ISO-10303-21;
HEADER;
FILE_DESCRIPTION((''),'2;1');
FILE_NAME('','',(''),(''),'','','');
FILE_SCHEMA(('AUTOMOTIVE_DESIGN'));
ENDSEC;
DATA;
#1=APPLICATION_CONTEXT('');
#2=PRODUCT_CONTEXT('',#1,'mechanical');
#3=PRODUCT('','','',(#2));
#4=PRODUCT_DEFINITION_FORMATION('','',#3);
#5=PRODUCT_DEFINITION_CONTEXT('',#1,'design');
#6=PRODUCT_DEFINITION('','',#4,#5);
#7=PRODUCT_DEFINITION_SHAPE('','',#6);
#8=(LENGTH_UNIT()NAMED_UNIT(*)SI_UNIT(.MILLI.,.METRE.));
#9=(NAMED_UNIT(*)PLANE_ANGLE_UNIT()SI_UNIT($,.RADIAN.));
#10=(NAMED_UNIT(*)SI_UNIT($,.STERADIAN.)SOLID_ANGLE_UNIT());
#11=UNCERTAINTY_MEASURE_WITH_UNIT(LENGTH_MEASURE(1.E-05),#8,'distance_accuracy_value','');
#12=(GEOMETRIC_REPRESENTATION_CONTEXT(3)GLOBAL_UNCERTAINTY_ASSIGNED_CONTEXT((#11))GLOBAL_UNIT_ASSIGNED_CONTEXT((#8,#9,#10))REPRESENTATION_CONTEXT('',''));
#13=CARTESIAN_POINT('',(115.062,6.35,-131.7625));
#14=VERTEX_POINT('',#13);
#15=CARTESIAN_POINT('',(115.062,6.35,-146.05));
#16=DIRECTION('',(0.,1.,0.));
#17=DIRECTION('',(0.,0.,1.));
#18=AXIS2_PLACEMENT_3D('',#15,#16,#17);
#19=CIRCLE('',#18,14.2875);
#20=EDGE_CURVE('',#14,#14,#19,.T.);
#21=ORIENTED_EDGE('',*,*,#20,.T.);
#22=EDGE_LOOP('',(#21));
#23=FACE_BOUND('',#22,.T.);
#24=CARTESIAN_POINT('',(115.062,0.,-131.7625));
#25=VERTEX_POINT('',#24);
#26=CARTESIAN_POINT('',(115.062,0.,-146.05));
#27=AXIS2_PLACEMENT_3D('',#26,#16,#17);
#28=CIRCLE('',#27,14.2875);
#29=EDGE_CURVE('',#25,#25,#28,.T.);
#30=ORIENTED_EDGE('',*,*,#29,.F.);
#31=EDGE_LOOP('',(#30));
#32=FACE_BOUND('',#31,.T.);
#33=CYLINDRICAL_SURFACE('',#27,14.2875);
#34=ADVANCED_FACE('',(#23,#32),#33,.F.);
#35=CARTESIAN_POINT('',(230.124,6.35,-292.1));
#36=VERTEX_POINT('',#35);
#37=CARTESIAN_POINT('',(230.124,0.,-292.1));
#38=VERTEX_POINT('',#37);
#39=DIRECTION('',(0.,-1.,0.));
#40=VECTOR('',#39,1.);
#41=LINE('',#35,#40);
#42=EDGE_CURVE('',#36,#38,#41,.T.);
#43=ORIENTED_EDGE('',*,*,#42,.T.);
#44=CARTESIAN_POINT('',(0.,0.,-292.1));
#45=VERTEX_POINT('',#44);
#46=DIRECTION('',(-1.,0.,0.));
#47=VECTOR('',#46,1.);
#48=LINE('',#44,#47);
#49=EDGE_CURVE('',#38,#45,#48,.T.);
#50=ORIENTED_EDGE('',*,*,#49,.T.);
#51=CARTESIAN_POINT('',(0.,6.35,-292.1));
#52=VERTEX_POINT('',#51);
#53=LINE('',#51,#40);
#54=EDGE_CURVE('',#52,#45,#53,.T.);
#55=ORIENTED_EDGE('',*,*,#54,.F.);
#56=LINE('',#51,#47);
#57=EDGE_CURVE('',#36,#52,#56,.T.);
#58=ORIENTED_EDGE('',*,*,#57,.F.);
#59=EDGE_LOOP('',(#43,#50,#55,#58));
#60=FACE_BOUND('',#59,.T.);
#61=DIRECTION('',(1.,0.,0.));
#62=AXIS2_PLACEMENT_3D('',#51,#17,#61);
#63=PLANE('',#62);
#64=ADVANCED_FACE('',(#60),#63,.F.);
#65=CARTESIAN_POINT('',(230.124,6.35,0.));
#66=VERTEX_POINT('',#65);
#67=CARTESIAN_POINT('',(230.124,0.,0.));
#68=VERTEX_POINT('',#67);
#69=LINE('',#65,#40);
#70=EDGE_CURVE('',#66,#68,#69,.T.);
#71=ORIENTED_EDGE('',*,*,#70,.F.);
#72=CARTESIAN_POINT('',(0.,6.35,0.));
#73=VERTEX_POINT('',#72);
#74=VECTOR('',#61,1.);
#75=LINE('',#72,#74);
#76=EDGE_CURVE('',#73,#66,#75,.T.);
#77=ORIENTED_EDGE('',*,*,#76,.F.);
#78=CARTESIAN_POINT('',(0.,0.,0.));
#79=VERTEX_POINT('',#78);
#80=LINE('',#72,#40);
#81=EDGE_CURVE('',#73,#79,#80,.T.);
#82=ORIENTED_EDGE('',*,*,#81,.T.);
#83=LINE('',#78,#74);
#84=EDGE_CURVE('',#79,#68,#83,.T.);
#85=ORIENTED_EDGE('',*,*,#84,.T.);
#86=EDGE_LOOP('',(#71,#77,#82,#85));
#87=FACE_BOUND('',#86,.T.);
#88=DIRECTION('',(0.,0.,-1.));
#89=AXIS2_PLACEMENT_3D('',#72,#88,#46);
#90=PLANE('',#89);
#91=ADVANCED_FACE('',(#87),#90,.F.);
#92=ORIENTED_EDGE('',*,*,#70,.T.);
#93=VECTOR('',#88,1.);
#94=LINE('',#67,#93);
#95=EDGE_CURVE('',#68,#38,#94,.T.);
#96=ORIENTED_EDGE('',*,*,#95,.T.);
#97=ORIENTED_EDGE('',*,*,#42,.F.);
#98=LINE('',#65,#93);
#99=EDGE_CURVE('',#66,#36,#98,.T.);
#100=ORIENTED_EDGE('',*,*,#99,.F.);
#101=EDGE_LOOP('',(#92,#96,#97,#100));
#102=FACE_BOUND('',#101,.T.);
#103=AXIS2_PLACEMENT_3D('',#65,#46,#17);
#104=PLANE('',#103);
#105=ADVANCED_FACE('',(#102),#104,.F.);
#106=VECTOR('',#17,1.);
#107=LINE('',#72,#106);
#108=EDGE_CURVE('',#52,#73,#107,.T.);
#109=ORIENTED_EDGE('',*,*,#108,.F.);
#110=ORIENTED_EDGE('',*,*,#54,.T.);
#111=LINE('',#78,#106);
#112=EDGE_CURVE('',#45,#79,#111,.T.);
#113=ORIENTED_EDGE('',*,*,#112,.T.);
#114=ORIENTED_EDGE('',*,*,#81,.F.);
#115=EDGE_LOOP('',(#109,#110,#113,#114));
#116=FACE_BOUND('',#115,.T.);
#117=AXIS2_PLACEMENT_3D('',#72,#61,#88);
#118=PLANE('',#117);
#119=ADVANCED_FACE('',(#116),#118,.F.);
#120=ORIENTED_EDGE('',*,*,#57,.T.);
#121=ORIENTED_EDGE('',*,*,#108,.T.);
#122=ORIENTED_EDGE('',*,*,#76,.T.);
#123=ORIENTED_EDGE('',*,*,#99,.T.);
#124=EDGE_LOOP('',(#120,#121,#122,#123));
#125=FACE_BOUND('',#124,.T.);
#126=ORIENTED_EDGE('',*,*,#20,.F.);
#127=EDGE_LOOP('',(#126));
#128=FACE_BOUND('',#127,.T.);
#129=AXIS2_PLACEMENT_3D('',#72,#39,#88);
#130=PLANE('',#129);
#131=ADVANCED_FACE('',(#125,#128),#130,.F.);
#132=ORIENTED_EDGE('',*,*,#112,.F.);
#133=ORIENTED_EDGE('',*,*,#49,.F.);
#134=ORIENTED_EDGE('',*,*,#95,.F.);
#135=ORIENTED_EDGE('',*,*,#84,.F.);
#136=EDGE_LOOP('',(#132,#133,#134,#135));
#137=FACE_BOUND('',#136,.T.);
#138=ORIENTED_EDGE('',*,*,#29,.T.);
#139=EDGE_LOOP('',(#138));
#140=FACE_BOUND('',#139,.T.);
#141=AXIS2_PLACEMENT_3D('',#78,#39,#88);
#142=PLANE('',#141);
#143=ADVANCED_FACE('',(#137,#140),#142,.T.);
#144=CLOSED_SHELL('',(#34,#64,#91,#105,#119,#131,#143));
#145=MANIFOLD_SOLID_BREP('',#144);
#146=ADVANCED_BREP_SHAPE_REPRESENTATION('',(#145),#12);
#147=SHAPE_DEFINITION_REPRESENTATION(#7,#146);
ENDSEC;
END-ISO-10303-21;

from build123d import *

# Parameters (mm, degrees)
SKETCH1_W           = 230.124
SKETCH1_H           = 292.1
BOSS_EXTRUDE1_DEPTH = 6.35
SKETCH2_R           = 14.2875
CUT_EXTRUDE1_DEPTH  = 6.35


with BuildPart() as part:
    # Sketch1 → Boss-Extrude1 (new body)
    with BuildSketch(Plane(origin=(0, 0, 0), x_dir=(1, 0, 0), z_dir=(0, 1, 0))):
        with Locations((115.062, 146.05)):
            Rectangle(SKETCH1_W, SKETCH1_H)
    extrude(amount=BOSS_EXTRUDE1_DEPTH)

    # Sketch2 → Cut-Extrude1 (cut)
    with BuildSketch(Plane(origin=(0, 6.35, 0), x_dir=(1, 0, 0), z_dir=(0, 1, 0))):
        with Locations((115.062, 146.05)):
            Circle(SKETCH2_R)
    extrude(amount=-CUT_EXTRUDE1_DEPTH, mode=Mode.SUBTRACT)


solid = part.part
